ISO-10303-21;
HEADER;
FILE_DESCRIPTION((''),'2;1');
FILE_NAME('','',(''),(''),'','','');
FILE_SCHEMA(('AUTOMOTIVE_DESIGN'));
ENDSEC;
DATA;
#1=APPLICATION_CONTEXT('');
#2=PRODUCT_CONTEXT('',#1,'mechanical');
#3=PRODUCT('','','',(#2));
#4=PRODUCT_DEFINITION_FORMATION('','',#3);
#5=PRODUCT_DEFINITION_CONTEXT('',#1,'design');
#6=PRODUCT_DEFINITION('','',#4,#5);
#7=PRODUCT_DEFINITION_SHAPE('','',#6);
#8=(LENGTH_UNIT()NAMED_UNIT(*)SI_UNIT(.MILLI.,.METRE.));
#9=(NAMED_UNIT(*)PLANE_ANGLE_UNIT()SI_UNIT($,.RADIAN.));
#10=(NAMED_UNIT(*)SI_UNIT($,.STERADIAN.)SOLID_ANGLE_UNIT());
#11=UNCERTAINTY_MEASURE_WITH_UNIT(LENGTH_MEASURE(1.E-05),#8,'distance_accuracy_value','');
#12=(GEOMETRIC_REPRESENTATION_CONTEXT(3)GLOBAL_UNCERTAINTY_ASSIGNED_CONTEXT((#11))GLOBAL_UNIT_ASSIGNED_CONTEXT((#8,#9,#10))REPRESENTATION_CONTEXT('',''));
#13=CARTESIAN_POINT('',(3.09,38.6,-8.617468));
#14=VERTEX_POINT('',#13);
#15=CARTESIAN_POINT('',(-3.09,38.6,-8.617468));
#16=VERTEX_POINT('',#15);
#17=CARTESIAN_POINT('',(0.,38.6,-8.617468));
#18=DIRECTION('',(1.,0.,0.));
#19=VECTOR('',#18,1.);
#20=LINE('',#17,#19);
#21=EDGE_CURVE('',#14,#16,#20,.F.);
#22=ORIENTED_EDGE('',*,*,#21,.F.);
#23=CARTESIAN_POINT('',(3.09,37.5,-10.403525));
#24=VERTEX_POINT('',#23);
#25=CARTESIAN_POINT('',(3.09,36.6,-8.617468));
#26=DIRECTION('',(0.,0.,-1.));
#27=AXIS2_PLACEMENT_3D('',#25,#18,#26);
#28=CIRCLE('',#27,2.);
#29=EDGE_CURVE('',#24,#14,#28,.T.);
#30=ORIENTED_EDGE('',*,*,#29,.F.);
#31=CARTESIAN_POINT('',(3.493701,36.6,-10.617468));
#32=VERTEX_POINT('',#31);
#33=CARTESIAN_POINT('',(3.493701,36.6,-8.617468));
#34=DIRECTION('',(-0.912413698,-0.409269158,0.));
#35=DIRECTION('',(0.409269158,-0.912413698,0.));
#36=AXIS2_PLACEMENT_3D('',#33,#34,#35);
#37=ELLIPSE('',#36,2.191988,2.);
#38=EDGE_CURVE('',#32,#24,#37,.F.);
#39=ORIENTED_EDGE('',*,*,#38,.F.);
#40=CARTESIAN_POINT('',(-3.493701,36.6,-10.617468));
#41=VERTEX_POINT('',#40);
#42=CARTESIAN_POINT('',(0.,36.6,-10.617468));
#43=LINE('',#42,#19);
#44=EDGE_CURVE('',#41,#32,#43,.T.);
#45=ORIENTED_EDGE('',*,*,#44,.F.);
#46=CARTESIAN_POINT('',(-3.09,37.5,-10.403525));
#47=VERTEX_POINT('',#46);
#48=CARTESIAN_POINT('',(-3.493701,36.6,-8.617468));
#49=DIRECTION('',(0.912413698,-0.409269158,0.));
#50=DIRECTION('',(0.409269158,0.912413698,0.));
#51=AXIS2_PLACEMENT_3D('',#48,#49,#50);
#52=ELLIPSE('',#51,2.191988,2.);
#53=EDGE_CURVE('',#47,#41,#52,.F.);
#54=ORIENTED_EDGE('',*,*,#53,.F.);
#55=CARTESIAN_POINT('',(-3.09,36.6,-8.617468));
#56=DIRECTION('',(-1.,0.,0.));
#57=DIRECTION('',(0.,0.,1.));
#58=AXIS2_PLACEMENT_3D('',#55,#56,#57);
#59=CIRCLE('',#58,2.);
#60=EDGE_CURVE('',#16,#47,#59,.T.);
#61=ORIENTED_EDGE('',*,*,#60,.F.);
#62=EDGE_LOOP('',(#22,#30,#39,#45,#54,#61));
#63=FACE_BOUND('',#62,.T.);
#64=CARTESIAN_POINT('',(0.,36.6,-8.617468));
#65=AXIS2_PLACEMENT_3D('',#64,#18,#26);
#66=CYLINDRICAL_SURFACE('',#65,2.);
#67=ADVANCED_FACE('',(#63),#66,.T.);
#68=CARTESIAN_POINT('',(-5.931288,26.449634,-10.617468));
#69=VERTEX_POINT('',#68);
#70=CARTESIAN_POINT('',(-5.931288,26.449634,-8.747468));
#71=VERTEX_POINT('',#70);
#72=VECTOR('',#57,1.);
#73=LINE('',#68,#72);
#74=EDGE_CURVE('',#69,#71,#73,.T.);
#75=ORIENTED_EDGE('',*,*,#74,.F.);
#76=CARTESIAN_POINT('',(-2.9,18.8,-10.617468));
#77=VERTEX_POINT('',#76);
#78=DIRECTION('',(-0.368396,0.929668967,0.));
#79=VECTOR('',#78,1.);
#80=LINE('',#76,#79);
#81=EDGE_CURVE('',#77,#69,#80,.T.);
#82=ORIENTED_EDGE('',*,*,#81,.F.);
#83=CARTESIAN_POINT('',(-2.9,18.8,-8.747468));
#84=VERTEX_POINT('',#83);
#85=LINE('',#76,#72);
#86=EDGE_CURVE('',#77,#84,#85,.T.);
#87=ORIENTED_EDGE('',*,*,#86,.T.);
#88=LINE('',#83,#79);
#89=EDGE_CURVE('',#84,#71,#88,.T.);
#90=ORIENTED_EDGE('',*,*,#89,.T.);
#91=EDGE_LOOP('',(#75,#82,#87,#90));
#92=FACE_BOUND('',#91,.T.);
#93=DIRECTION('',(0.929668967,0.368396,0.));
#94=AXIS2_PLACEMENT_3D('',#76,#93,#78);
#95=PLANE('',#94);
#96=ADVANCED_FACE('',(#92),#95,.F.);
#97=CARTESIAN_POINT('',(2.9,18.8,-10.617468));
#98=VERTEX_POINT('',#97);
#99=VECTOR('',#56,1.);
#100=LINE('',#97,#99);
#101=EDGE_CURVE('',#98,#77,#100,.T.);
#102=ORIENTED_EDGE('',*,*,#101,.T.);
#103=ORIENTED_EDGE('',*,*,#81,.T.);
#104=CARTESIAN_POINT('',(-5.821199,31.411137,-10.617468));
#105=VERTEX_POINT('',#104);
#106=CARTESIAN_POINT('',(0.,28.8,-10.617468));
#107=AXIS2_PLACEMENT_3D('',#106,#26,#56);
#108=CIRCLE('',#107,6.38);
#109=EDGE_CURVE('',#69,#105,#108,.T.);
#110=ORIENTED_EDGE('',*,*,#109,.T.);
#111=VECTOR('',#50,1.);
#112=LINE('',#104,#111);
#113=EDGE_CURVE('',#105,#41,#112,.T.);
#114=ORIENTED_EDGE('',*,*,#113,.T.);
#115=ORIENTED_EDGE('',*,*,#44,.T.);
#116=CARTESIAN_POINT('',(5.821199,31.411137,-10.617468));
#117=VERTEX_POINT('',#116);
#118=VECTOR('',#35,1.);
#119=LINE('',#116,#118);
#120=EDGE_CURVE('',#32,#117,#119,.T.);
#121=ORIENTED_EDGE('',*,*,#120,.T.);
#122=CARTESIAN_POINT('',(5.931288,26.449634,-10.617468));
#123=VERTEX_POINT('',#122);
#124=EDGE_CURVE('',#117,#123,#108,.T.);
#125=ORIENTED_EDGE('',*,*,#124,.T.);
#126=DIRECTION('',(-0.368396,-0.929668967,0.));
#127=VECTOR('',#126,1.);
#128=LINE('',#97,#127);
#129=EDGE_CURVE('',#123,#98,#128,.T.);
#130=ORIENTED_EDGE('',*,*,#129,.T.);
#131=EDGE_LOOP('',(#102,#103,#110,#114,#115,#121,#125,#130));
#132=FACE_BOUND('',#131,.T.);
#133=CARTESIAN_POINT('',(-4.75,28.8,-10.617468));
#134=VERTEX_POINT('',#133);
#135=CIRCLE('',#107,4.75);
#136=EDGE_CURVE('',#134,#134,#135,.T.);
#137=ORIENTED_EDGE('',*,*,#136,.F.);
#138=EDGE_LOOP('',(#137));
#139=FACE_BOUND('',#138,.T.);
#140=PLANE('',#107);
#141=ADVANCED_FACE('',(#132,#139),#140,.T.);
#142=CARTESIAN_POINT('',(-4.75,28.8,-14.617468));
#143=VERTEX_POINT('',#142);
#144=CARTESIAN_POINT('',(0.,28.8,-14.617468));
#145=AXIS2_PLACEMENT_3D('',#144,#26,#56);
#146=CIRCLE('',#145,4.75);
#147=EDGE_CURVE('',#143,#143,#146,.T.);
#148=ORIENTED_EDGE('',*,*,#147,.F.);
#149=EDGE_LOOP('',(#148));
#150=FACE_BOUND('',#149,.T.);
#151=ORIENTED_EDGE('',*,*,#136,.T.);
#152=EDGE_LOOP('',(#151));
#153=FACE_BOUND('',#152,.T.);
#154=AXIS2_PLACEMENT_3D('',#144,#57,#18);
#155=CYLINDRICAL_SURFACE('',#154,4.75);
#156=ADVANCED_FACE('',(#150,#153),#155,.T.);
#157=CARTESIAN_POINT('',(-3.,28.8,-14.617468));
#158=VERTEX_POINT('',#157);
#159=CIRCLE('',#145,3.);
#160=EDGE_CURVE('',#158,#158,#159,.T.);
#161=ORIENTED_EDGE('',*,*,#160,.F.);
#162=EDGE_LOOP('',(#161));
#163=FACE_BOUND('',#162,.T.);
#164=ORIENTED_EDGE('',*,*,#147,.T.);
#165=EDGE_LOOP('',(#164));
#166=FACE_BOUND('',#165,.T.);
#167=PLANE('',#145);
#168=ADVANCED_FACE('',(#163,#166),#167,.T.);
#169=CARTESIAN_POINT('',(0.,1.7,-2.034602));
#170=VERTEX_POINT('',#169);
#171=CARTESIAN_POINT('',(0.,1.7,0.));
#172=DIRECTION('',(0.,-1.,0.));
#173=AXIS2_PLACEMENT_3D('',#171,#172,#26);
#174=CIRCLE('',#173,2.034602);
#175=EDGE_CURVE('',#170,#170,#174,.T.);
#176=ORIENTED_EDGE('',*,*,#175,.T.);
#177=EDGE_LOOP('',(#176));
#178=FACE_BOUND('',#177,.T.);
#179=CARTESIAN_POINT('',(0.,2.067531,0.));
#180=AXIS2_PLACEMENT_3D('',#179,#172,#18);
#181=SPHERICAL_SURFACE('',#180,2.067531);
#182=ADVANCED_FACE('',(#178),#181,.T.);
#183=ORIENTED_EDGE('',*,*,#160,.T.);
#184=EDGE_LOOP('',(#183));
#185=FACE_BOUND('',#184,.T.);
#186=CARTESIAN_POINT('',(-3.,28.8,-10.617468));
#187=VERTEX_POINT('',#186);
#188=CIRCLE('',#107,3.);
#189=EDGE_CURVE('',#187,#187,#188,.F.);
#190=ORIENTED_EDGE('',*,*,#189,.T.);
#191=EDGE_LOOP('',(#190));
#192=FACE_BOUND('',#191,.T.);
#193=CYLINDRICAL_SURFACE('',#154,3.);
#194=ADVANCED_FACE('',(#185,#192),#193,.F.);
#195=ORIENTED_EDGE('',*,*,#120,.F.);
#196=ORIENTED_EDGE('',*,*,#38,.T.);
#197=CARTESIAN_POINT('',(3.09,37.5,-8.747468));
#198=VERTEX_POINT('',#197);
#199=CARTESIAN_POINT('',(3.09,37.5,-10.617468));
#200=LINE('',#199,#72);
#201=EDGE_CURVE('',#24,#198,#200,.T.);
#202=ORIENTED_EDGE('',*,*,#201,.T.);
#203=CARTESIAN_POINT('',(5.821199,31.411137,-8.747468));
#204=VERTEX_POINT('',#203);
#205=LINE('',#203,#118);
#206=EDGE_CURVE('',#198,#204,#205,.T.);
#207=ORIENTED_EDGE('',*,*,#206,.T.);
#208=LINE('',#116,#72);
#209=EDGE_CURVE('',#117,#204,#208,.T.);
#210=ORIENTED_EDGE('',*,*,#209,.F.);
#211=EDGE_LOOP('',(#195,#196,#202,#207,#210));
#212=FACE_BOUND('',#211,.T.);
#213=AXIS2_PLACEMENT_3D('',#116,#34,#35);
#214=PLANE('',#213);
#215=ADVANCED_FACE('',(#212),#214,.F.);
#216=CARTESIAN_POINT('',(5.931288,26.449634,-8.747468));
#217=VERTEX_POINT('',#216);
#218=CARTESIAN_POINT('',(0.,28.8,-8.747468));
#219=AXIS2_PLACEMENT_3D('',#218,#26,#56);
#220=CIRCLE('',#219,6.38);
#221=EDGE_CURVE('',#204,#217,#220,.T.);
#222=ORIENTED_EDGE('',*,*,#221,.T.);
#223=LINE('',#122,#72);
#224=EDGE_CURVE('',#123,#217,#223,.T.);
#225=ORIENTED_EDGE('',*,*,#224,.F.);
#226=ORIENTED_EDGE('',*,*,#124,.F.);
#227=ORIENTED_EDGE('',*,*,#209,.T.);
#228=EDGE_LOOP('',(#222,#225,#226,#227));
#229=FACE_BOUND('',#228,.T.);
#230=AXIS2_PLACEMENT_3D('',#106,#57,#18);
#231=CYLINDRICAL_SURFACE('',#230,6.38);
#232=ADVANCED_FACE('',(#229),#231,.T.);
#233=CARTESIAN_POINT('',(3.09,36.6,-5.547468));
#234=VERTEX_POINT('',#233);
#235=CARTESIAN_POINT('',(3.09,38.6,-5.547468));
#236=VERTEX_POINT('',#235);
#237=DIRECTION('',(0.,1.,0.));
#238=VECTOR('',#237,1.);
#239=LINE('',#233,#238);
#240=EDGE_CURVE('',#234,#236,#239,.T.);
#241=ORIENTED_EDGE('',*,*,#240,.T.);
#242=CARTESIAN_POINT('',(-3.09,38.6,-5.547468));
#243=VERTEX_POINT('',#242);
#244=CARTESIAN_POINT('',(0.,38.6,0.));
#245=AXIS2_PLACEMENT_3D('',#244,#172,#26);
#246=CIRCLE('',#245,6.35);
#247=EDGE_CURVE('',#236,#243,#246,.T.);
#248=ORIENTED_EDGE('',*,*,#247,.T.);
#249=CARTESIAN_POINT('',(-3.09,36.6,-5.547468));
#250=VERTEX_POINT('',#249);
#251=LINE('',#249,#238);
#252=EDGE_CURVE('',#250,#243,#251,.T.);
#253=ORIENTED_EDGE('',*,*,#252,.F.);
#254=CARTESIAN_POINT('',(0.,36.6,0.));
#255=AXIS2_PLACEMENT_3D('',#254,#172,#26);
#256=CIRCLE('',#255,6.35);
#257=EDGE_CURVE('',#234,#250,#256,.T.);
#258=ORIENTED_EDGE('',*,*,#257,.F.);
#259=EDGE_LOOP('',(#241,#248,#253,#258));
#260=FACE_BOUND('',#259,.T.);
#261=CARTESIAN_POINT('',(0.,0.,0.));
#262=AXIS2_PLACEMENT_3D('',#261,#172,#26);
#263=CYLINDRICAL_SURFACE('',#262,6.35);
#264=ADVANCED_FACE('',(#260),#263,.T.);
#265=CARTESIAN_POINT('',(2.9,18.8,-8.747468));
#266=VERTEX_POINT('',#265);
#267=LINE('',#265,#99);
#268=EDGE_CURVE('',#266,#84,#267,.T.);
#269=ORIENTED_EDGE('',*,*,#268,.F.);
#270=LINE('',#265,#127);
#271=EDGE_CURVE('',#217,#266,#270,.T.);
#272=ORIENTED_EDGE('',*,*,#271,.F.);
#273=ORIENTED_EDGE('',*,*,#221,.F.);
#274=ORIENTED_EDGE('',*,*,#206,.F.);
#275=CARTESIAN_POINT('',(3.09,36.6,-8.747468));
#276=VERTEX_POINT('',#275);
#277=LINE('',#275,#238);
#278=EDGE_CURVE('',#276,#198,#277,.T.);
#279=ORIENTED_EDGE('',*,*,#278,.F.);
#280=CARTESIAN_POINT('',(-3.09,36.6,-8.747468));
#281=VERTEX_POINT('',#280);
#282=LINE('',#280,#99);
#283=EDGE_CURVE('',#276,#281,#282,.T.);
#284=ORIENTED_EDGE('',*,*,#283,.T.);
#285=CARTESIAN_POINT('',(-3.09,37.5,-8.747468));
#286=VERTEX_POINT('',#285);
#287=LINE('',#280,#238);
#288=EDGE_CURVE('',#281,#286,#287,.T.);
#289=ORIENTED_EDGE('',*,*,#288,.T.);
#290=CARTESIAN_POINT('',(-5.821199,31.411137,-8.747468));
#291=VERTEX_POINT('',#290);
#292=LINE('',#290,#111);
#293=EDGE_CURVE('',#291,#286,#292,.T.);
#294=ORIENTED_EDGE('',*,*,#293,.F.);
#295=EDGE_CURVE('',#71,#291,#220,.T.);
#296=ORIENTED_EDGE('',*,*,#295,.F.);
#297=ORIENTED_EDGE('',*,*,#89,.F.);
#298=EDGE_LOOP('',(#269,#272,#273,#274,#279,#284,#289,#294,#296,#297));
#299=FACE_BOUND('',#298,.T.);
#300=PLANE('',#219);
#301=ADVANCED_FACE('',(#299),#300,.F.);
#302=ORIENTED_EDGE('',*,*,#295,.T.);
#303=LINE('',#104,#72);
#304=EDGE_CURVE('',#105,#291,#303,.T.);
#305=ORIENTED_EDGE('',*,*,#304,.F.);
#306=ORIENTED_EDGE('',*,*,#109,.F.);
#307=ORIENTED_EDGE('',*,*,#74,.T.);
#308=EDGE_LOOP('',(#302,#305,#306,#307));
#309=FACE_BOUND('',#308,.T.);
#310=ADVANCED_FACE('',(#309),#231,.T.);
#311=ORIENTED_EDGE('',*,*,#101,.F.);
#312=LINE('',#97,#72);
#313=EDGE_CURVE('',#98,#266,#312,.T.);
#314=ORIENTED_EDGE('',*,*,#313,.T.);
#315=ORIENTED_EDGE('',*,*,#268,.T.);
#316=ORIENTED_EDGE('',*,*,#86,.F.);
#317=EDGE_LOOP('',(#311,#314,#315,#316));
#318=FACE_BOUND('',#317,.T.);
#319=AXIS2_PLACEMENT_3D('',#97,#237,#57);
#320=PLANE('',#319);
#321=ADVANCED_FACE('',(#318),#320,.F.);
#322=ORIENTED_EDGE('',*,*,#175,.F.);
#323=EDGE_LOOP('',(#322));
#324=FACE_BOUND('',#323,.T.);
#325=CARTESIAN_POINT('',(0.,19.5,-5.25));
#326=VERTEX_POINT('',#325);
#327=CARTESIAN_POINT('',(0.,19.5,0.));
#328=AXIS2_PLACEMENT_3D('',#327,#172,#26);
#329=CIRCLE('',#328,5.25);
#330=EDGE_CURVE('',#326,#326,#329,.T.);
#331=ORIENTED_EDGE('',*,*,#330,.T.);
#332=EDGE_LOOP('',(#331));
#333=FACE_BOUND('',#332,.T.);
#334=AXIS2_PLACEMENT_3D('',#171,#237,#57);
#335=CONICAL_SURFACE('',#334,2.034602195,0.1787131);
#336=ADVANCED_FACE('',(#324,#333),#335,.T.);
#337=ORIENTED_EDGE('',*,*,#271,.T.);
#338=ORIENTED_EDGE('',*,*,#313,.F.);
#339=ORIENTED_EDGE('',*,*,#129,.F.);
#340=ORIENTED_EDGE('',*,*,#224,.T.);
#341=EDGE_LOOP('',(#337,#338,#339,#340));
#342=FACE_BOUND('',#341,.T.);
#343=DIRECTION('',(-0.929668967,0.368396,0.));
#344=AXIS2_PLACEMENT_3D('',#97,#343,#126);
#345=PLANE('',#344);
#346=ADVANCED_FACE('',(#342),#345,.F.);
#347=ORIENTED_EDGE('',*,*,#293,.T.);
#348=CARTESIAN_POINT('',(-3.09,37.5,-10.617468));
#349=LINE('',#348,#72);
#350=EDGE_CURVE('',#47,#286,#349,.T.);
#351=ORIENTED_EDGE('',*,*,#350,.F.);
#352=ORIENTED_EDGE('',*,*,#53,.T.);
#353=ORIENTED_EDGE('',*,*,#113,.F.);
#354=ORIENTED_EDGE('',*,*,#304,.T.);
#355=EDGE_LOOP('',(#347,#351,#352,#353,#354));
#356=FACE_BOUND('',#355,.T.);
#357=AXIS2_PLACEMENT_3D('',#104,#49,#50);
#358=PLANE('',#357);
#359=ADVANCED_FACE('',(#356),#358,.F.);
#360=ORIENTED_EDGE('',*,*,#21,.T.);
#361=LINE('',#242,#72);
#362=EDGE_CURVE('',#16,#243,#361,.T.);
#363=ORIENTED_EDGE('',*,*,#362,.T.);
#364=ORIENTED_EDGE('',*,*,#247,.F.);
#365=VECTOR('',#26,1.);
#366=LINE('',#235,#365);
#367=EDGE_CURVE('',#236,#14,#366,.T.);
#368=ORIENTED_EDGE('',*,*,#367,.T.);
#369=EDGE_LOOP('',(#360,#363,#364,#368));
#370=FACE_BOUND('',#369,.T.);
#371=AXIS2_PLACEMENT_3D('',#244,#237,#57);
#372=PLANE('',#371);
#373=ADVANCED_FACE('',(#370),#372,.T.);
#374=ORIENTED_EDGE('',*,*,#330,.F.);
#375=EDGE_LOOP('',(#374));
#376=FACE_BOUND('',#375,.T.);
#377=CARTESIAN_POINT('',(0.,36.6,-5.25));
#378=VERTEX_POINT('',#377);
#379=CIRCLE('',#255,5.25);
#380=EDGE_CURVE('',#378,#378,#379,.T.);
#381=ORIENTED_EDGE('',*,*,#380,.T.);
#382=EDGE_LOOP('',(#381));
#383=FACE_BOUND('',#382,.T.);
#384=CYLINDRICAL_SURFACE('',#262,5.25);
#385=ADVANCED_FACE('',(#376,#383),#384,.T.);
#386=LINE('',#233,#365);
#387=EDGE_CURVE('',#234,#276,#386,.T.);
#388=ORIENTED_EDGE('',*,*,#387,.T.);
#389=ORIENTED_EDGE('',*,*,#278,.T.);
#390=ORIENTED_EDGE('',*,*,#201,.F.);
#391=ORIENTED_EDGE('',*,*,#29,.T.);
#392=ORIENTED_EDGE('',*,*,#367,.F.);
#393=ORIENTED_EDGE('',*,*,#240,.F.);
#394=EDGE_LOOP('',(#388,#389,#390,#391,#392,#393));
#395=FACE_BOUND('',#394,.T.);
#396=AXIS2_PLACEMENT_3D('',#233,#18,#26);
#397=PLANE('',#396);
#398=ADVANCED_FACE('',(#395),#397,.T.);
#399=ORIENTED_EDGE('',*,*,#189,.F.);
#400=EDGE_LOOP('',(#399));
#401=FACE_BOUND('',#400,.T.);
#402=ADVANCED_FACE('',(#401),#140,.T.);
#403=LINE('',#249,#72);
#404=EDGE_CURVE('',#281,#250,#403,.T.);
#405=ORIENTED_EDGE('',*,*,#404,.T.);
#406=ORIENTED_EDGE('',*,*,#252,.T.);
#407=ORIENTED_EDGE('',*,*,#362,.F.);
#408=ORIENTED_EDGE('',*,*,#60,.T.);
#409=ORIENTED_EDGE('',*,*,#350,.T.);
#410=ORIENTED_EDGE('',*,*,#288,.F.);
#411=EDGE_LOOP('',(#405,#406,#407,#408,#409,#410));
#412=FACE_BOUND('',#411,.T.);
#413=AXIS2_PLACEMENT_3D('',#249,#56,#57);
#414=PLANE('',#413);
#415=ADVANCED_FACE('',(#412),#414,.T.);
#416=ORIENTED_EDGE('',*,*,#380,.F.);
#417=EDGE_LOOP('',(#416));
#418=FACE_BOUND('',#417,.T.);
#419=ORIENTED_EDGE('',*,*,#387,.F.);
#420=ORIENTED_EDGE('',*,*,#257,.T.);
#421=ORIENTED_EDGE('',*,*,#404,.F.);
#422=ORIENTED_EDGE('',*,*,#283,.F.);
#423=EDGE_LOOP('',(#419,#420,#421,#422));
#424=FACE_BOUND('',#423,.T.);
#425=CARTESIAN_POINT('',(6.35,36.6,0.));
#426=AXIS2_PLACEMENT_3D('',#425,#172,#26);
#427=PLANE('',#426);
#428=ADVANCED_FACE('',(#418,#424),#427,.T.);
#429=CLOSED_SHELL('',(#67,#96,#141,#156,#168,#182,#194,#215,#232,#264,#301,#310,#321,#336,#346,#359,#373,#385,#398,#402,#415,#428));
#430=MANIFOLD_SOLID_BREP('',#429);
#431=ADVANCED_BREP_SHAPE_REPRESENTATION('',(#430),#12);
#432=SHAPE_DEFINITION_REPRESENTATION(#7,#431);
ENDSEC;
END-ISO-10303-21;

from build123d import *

# Parameters (mm, degrees)
SKETCH2_W           = 6.18
SKETCH2_H           = 3.2
BOSS_EXTRUDE1_DEPTH = 2
BOSS_EXTRUDE2_DEPTH = 1.87
SKETCH4_R           = 4.75
SKETCH4_R_2         = 3
BOSS_EXTRUDE3_DEPTH = 4
FILLET1_R           = 2


with BuildPart() as part:
    # Sketch1 → Revolve1 (revolve)
    with BuildSketch(Plane.XY):
        with BuildLine():
            Line((5.25, 36.6), (5.25, 19.5))
            Line((5.25, 19.5), (2.034602195, 1.7))
            ThreePointArc((2.034602195, 1.7), (1.325670217, 0.480936184), (0, 0))
            Line((0, 0), (0, 38.6))
            Line((0, 38.6), (6.35, 38.6))
            Line((6.35, 38.6), (6.35, 36.6))
            Line((6.35, 36.6), (5.25, 36.6))
        make_face()
    revolve(axis=Axis((0, 0, 0), (0, 1, 0)))

    # Sketch2 → Boss-Extrude1 (add)
    with BuildSketch(Plane(origin=(0, 38.6, 0), x_dir=(1, 0, 0), z_dir=(0, 1, 0))):
        with Locations((0, 7.147467891)):
            Rectangle(SKETCH2_W, SKETCH2_H)
    extrude(amount=-BOSS_EXTRUDE1_DEPTH)

    # Sketch3 → Boss-Extrude2 (add)
    with BuildSketch(Plane(origin=(0, 0, -8.747467891), x_dir=(-1, 0, 0), z_dir=(0, 0, -1))):
        with BuildLine():
            Line((-2.9, 18.8), (2.9, 18.8))
            Line((2.9, 18.8), (5.931288007, 26.449633522))
            ThreePointArc((5.931288007, 26.449633522), (6.37843004, 28.941528165), (5.821199394, 31.411137227))
            Line((5.821199394, 31.411137227), (3.09, 37.5))
            Line((3.09, 37.5), (3.09, 38.6))
            Line((3.09, 38.6), (-3.09, 38.6))
            Line((-3.09, 38.6), (-3.09, 37.5))
            Line((-3.09, 37.5), (-5.821199394, 31.411137227))
            ThreePointArc((-5.821199394, 31.411137227), (-6.37843004, 28.941528165), (-5.931288007, 26.449633522))
            Line((-5.931288007, 26.449633522), (-2.9, 18.8))
        make_face()
    extrude(amount=BOSS_EXTRUDE2_DEPTH)

    # Sketch4 → Boss-Extrude3 (add)
    with BuildSketch(Plane(origin=(0, 0, -10.617467891), x_dir=(-1, 0, 0), z_dir=(0, 0, -1))):
        with Locations((0, 28.8)):
            Circle(SKETCH4_R)
        with Locations((0, 28.8)):
            Circle(SKETCH4_R_2, mode=Mode.SUBTRACT)
    extrude(amount=BOSS_EXTRUDE3_DEPTH)

    # Fillet1
    fillet1_edges = [part.edges().sort_by_distance(p)[0] for p in [
        (0, 38.6, -10.617467891),
    ]]
    fillet(fillet1_edges, radius=FILLET1_R)


solid = part.part
